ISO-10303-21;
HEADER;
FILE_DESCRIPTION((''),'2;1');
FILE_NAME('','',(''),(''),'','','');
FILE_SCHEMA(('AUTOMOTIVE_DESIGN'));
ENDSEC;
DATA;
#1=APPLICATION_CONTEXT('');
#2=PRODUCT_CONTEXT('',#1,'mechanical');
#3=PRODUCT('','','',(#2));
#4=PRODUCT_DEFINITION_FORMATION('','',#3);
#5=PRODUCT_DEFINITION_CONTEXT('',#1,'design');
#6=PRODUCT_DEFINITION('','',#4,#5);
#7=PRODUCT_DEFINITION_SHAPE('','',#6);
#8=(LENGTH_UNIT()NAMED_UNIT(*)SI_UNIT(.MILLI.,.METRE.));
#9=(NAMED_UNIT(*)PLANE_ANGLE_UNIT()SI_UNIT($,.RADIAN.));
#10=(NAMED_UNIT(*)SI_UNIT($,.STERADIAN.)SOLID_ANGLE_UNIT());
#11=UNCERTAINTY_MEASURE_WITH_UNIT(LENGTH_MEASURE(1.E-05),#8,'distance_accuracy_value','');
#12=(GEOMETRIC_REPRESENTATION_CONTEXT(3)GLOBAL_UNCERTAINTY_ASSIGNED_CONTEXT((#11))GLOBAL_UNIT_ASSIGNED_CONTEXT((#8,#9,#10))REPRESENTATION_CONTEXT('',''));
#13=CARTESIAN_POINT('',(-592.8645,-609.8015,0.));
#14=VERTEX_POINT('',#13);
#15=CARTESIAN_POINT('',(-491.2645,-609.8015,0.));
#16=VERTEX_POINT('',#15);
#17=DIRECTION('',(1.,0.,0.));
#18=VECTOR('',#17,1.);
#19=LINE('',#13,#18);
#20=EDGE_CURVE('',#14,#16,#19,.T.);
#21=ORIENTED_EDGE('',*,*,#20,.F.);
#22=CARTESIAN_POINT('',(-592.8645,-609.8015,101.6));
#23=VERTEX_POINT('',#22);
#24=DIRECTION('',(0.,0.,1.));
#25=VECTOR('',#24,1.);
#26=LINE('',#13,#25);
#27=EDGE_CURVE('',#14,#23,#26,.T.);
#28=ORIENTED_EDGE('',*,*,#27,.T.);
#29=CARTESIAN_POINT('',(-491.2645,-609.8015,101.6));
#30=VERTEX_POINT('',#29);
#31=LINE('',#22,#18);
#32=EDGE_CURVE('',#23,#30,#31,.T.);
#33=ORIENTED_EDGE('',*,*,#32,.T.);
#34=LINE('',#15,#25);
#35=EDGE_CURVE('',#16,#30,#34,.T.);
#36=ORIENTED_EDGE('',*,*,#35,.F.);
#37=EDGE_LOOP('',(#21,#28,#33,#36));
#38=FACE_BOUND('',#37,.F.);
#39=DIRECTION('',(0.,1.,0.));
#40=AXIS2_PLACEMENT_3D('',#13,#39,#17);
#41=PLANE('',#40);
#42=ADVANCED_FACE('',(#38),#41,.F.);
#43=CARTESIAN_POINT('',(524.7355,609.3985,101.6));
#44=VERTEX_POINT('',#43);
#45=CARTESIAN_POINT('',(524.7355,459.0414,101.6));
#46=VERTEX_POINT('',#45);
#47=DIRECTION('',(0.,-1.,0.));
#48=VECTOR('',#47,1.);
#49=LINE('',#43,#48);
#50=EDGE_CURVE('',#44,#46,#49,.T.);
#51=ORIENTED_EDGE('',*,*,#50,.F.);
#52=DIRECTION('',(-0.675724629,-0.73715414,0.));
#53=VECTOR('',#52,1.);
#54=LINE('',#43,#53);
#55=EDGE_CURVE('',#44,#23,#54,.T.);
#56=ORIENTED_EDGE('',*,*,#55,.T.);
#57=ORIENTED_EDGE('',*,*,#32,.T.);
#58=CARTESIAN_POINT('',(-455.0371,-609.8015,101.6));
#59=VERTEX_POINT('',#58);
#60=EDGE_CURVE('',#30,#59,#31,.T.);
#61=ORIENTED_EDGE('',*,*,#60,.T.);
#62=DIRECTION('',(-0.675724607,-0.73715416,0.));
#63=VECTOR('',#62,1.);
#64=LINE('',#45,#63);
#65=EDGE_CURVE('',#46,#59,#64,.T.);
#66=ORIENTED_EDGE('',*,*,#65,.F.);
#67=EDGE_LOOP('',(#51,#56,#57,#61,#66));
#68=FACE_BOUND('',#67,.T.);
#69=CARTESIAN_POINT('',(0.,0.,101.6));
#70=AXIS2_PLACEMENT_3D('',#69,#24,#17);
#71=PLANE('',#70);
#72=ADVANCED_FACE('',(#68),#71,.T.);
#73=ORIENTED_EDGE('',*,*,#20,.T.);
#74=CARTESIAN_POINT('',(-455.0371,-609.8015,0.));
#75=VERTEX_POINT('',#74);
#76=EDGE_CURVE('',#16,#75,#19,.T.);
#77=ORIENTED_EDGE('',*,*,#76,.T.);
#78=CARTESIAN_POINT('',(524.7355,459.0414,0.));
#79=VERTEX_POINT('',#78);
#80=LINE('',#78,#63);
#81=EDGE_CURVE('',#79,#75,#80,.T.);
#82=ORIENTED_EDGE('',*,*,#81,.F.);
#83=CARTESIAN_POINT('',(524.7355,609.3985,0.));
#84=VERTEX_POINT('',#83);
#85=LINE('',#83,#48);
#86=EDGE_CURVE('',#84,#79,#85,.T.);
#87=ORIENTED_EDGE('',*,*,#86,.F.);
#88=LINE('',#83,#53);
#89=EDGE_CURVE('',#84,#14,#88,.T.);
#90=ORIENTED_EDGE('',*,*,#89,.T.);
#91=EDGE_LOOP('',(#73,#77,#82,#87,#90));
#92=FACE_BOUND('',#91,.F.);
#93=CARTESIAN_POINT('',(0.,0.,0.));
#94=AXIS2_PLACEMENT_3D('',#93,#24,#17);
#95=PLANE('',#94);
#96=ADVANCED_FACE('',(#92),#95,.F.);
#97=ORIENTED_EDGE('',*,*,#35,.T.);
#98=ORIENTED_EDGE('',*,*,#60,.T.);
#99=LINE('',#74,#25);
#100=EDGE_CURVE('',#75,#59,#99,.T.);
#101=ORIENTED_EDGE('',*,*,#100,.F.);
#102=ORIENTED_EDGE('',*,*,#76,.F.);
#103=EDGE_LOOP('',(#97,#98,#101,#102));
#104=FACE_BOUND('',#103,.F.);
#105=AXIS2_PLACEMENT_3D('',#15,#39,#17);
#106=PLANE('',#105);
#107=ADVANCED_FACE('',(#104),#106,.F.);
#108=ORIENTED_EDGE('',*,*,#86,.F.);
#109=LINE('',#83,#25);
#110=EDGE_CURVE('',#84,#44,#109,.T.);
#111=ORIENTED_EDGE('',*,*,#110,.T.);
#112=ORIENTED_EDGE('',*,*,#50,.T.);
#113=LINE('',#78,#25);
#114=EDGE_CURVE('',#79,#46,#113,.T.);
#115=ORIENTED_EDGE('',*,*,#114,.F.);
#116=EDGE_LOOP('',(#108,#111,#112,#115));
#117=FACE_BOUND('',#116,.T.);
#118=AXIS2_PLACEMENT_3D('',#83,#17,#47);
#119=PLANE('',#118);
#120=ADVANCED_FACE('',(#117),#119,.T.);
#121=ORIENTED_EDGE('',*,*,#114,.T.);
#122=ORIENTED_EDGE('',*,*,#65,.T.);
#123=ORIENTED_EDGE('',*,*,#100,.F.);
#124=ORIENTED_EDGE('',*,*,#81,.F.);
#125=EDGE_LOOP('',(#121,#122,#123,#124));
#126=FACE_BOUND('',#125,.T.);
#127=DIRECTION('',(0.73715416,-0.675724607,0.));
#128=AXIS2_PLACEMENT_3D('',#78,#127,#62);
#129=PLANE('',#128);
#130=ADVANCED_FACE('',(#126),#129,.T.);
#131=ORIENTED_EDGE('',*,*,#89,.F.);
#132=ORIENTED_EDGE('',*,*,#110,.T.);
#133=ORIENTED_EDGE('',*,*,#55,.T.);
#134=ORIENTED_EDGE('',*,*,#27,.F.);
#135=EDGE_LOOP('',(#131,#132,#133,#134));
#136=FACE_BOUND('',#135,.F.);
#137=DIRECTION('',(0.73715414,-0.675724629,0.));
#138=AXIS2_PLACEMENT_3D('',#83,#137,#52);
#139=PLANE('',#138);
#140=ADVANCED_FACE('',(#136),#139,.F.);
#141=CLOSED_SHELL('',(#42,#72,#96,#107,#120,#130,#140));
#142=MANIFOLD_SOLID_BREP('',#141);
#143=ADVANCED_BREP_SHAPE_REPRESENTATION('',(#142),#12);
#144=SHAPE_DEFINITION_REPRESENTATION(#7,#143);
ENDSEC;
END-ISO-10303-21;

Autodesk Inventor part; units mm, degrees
ref_plane "YZ Plane" through (0, 0, 0) normal (1, 0, 0) x (0, 1, 0)
ref_plane "XZ Plane" through (0, 0, 0) normal (0, 1, 0) x (-1, 0, 0)
ref_plane "XY Plane" through (0, 0, 0) normal (0, 0, 1) x (1, 0, 0)
sketch "Sketch1" plane through (0, 0, 0) normal (0, 0, 1) x (1, 0, 0)
  line L0 (-592.8645, -609.8015) -> (-491.2645, -609.8015)
  line L1 (524.7355, 609.3985) -> (-592.8645, -609.8015)
  line L2 (524.7355, 609.3985) -> (599.6304, 540.7448) construction
  line L3 (524.7355, 459.0414) -> (-455.0371, -609.8015)
  line L4 (-592.8645, -609.8015) -> (-455.0371, -609.8015)
  line L5 (-592.8645, -609.8015) -> (-455.0371, -609.8015)
  line L6 (524.7355, 609.3985) -> (524.7355, 459.0414)
  point P0 (0, 0)
  dimension "d0" = 101.6
extrude "Extrusion1" add sketch "Sketch1" along normal blind 101.6
properties part number "4x4xidkanymore"
